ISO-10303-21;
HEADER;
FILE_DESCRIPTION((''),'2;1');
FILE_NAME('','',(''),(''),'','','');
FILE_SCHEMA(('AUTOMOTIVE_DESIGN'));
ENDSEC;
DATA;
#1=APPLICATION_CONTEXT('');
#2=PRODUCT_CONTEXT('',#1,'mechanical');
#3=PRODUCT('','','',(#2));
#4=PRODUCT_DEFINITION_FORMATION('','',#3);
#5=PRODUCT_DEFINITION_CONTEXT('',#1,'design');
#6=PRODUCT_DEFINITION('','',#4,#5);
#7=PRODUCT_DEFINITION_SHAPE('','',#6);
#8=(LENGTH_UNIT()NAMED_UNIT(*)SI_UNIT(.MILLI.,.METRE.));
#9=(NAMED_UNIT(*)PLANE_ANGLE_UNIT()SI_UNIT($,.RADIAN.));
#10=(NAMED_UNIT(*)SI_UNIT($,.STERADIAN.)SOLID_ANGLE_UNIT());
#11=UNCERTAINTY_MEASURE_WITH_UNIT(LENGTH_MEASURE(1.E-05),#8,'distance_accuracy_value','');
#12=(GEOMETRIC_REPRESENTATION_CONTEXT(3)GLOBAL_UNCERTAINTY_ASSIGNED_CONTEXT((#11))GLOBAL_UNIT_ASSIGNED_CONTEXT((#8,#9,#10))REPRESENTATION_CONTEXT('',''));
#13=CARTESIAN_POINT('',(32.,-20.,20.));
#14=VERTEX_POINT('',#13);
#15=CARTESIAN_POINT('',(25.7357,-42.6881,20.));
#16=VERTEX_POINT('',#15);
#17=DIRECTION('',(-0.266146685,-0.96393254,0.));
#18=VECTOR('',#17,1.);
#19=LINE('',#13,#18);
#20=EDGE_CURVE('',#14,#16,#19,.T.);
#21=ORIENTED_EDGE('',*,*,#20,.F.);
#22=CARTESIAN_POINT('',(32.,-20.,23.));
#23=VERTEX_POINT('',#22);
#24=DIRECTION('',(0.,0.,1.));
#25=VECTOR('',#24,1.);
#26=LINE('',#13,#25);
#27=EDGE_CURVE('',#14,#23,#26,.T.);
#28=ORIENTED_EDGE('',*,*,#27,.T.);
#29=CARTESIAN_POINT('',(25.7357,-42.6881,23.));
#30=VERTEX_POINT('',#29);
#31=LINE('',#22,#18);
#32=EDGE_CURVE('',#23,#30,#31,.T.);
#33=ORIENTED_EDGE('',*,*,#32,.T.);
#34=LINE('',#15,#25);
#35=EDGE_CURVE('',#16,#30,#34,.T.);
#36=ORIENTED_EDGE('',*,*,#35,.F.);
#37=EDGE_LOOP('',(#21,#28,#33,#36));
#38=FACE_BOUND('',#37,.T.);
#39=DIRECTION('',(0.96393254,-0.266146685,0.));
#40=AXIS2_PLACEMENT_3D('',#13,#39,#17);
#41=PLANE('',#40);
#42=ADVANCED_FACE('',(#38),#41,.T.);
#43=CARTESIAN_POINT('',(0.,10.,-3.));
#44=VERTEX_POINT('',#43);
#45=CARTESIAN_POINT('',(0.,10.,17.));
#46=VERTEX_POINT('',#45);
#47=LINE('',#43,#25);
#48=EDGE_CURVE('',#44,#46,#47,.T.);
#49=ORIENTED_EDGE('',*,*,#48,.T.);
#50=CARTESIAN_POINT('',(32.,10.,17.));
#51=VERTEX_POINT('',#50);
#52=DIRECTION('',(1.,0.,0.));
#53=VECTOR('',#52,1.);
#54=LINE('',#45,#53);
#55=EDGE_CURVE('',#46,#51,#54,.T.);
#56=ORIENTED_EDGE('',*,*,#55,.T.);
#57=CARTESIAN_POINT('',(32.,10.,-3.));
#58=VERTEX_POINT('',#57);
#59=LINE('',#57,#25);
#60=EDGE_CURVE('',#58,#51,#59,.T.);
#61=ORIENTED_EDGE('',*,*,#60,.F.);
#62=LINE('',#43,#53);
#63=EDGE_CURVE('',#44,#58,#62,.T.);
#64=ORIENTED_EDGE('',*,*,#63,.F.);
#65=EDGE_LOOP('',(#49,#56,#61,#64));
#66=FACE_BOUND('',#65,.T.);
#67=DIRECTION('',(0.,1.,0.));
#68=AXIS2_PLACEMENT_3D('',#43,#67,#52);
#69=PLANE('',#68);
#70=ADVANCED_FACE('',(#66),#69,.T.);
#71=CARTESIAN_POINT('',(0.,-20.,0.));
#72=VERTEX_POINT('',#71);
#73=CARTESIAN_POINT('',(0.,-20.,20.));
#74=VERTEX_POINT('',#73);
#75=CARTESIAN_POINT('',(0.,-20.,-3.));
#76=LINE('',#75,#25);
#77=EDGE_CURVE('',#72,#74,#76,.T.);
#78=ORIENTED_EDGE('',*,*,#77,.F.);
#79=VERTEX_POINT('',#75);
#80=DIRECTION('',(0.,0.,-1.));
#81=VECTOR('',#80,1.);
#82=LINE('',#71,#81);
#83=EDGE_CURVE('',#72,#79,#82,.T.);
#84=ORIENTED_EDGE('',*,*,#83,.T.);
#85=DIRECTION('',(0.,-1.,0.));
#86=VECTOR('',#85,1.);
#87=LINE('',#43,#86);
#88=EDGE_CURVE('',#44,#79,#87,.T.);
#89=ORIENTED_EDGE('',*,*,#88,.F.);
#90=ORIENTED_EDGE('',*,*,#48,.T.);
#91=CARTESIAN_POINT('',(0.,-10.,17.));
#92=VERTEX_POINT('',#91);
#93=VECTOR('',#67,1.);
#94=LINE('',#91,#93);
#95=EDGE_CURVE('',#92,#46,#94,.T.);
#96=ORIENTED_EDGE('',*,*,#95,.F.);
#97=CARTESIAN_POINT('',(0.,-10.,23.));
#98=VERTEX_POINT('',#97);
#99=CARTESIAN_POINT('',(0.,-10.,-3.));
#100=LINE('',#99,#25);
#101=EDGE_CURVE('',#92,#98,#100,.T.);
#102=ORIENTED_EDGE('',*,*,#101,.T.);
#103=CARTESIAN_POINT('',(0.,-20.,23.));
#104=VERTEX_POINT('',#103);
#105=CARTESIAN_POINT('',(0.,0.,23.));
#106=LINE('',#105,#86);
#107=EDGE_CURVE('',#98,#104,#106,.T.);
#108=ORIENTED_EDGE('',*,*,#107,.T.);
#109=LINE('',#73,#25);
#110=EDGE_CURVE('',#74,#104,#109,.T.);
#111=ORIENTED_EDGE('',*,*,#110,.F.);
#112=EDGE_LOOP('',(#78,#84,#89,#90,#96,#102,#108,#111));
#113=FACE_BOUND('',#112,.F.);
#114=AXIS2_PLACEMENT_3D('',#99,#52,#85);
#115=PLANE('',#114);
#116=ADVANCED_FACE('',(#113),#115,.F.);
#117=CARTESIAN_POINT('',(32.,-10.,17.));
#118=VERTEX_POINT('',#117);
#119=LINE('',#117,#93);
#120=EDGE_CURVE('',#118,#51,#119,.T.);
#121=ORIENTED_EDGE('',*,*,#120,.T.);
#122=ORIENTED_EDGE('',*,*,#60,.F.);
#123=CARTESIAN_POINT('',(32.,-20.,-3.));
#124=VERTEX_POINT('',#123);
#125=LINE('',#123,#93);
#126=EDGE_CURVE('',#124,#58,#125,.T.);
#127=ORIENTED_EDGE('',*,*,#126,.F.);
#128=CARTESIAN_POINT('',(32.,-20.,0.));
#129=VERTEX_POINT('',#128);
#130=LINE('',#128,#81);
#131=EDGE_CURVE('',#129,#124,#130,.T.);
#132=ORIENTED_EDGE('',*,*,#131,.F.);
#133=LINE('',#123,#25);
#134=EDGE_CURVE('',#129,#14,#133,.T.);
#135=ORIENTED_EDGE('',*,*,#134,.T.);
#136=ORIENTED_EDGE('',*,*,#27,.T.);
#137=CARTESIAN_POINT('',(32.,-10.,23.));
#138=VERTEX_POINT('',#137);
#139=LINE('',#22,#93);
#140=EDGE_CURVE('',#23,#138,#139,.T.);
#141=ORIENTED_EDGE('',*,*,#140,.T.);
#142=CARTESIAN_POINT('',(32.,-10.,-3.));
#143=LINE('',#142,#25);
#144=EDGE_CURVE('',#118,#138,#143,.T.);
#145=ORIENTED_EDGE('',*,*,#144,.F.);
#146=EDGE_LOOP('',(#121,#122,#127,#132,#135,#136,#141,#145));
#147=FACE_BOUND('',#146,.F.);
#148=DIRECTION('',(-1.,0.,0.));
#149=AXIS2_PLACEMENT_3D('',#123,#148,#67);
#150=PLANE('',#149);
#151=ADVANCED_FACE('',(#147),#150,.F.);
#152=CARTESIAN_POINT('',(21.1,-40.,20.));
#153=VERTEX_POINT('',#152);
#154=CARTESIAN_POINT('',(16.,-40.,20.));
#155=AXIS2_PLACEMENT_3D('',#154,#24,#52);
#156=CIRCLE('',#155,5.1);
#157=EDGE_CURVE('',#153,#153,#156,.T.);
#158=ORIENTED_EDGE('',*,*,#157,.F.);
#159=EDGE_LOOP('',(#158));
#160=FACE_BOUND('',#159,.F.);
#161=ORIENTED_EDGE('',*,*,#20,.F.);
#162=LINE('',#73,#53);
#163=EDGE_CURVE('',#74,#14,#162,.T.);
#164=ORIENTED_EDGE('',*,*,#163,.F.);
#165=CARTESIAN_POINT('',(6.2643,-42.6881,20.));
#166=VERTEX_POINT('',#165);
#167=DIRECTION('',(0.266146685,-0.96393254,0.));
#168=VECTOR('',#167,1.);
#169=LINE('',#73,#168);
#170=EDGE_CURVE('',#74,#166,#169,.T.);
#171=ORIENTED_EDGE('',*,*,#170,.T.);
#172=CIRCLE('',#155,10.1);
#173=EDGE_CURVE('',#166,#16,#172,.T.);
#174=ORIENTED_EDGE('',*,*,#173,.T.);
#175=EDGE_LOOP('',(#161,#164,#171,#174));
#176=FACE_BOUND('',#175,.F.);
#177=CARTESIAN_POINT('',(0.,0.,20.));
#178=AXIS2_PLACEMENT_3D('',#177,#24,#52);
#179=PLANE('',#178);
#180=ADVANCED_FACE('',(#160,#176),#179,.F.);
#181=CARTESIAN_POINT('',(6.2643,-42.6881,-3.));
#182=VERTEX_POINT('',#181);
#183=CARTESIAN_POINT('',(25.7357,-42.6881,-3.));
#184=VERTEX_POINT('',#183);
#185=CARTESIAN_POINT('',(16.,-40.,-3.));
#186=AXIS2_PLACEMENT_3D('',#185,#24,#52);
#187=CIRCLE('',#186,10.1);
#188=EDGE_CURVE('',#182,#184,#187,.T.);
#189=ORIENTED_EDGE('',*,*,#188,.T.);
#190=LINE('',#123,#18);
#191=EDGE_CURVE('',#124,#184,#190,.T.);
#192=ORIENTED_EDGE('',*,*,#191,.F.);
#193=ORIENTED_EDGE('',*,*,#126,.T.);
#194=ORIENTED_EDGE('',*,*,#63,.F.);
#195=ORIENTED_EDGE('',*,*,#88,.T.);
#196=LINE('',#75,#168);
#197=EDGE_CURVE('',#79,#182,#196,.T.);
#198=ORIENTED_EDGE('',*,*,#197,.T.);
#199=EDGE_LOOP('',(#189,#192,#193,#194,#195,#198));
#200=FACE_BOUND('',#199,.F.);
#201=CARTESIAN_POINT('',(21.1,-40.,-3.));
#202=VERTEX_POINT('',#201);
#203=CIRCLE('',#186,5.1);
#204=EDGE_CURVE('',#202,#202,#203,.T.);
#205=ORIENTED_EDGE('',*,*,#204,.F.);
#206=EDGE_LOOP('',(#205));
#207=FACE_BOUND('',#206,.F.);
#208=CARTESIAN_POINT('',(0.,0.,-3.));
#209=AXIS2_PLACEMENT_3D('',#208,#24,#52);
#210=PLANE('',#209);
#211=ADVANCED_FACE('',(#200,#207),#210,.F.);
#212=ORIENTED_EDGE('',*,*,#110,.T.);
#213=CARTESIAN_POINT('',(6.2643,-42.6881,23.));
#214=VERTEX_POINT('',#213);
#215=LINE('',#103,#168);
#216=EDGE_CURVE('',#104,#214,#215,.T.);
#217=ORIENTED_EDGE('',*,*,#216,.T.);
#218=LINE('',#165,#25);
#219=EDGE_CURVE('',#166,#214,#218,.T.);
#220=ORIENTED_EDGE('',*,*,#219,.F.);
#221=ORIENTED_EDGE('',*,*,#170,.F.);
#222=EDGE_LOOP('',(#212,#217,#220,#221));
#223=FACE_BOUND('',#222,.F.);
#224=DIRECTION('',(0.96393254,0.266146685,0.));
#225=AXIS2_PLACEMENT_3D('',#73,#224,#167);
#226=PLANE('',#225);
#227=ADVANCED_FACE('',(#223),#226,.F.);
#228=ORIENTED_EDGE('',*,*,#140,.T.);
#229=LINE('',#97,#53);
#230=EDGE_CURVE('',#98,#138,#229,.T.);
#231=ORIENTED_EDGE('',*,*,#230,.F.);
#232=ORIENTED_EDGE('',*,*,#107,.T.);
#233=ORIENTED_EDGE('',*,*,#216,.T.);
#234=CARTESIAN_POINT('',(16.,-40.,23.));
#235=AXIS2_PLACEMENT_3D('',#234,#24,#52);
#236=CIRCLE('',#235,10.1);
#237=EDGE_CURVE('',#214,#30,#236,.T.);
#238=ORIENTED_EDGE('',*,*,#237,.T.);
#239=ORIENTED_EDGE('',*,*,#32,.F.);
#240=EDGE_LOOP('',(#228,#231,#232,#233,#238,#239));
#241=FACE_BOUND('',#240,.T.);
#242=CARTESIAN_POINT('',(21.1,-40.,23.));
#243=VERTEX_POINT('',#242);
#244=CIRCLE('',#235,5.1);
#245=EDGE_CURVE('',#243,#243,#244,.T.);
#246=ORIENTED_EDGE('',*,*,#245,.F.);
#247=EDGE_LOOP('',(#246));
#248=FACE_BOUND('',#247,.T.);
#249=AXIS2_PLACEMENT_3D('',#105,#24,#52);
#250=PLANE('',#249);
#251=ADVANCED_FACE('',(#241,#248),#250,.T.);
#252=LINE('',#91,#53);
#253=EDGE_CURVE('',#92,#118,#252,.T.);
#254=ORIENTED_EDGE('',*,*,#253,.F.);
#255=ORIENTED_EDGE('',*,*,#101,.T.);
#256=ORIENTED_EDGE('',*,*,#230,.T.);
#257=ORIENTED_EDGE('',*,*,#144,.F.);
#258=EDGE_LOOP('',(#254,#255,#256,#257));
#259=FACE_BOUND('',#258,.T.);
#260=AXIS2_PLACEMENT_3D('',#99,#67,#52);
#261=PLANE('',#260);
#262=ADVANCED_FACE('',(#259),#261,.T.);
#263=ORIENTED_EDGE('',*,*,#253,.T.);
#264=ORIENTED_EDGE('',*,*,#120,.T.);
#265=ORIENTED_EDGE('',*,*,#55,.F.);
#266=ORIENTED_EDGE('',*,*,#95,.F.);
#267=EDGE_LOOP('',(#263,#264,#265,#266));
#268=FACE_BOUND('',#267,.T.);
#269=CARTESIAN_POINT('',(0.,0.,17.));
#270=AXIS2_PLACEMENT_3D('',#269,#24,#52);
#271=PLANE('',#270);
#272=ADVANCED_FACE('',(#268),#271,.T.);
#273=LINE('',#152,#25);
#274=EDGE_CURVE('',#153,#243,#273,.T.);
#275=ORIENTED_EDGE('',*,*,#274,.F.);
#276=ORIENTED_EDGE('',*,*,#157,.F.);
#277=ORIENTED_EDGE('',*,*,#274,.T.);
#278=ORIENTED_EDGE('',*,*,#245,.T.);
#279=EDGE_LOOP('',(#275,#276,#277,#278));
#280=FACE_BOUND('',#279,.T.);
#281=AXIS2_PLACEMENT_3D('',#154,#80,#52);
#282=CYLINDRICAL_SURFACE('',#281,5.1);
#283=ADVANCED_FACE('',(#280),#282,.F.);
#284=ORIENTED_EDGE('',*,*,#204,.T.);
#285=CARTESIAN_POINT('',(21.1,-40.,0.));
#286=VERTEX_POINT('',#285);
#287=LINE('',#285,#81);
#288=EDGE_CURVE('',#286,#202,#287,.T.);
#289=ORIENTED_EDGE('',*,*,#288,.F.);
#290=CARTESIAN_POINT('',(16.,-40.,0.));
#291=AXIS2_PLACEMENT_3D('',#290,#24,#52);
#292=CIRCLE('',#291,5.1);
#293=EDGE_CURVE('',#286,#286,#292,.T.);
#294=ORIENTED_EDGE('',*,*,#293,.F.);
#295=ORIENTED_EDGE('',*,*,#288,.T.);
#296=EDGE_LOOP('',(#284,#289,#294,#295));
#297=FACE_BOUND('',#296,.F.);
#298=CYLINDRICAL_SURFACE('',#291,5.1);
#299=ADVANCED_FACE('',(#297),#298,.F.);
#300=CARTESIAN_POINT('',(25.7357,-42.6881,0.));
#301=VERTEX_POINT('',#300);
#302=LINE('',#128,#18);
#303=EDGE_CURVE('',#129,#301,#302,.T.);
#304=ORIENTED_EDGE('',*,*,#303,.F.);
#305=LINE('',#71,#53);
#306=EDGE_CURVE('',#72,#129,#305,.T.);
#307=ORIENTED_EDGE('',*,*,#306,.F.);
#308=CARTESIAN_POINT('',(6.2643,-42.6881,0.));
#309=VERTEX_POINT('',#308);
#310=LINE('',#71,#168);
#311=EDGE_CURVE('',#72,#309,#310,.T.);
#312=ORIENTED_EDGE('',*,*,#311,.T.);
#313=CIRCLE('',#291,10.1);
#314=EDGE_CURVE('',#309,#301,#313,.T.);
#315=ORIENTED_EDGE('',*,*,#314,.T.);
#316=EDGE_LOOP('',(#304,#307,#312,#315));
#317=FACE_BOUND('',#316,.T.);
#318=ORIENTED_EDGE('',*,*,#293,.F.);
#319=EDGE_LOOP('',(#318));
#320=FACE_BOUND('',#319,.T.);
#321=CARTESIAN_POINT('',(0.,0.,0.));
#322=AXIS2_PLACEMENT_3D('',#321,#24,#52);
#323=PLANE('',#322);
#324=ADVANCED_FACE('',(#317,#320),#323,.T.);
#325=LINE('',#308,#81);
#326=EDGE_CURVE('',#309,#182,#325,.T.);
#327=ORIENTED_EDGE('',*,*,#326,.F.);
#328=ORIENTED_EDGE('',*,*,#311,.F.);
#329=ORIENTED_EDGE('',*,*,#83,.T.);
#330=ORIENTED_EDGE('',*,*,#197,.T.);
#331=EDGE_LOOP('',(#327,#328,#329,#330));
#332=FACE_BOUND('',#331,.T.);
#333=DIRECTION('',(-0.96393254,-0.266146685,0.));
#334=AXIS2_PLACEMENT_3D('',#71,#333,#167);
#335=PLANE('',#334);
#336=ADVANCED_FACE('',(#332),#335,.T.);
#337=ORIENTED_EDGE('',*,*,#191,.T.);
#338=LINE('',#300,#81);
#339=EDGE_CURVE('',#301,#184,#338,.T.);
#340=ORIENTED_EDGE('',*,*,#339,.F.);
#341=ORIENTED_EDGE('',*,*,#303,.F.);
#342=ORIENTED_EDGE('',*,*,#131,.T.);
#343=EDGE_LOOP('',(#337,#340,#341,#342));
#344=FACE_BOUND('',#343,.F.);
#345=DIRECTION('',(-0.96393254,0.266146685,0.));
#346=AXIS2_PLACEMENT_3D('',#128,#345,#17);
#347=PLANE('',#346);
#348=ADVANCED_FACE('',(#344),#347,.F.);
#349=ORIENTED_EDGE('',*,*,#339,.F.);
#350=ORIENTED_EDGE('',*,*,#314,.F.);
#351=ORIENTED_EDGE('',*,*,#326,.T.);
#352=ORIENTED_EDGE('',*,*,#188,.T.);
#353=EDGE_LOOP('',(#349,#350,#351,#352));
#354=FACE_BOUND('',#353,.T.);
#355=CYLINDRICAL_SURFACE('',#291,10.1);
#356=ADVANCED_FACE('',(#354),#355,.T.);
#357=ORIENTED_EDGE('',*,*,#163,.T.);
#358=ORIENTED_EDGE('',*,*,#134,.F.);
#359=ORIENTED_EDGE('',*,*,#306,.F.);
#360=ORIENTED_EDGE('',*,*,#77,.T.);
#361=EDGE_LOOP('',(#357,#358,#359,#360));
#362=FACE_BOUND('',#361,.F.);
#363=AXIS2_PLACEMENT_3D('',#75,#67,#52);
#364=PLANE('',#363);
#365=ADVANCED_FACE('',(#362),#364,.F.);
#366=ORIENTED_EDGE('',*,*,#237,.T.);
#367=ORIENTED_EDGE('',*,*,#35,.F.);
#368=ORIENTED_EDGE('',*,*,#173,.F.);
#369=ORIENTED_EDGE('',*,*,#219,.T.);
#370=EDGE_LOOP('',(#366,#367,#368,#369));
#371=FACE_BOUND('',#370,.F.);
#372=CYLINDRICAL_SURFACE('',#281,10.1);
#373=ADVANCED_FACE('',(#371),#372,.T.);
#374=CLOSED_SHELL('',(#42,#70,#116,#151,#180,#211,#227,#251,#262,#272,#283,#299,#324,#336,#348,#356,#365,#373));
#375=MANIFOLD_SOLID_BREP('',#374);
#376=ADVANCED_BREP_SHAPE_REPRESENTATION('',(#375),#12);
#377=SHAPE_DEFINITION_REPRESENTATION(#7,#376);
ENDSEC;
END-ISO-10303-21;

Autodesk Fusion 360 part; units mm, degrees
sketch "Sketch1" plane through (0, 0, 0) normal (0, 0, 1) x (1, 0, 0)
  line L0 (0, 0) -> (32, 0)
  line L1 (0, 0) -> (0, -20)
  line L2 (0, -20) -> (32, -20)
  line L3 (32, -20) -> (32, 0)
  line L4 (16, -20) -> (16, -40) construction
  circle A0 centre (16, -40) radius 10.1
  line L5 (0, -20) -> (6.2643, -42.6881)
  line L6 (32, -20) -> (25.7357, -42.6881)
  circle A1 centre (16, -40) radius 5.1
  circle A2 centre (16, -40) radius 14 construction
  line L7 (0, -10) -> (32, -10)
  line L8 (0, 0) -> (0, 10)
  line L9 (0, 10) -> (32, 10)
  line L10 (32, 10) -> (32, 0)
  dimension "d1" = 32
  dimension "d2" = 20
  dimension "d5" = 20
  dimension "d6" = 20.2
  dimension "d7" = 10.2
  dimension "d8" = 28
  dimension "d14" = 10
extrude "Extrude1" add sketch "Sketch1" along normal blind 20 from surface at -3 contours L0 L8 L9 L10 | L0 L1 L3 L7 makes body 1
extrude "Extrude2" add sketch "Sketch1" against normal blind 3 contours L2 A0 L5 L6 | A0 bodies 1 makes body 2
extrude "Extrude3" add sketch "Sketch1" along normal blind 3 from surface at 20 contours L2 A0 L5 L6 | A0 bodies 2 makes body 3
extrude "Extrude4" add sketch "Sketch1" along normal blind 26 from surface at -3 contours L1 L2 L3 L7 bodies 1 2 3
sketch "Sketch2" plane through (0, 0, 17) normal (0, 0, 1) x (-1, 0, 0)
  line L0 (0, -10) -> (0, 10)
  line L1 (0, 10) -> (-32, 10)
  line L2 (-32, 10) -> (-32, -10)
  line L3 (-32, -10) -> (0, -10)
  line L4 (0, -10) -> (-16, -10) construction
  line L5 (-8, -10) -> (-8, 0) construction
  line L6 (-16, -10) -> (-24, -10) construction
  line L7 (-24, -10) -> (-24, 0) construction
  circle A0 centre (-24, 0) radius 1.6
  circle A1 centre (-8, 0) radius 1.6
  dimension "d19" = 8
  dimension "d20" = 10
  dimension "d21" = 3.2
  dimension "d22" = 3.2
extrude "Extrude5" cut sketch "Sketch2" along normal through all contours A0 | A1 bodies 1
equation "d9 = -( 20 / 2 ) * 2 mm + ( ( 14 + 1.5 * 2 ) / 2 ) * 2 mm"
equation "d12 = ( ( 20 / 2 ) * 2 mm - ( ( 14 + 1.5 * 2 ) / 2 ) * 2 mm )"
